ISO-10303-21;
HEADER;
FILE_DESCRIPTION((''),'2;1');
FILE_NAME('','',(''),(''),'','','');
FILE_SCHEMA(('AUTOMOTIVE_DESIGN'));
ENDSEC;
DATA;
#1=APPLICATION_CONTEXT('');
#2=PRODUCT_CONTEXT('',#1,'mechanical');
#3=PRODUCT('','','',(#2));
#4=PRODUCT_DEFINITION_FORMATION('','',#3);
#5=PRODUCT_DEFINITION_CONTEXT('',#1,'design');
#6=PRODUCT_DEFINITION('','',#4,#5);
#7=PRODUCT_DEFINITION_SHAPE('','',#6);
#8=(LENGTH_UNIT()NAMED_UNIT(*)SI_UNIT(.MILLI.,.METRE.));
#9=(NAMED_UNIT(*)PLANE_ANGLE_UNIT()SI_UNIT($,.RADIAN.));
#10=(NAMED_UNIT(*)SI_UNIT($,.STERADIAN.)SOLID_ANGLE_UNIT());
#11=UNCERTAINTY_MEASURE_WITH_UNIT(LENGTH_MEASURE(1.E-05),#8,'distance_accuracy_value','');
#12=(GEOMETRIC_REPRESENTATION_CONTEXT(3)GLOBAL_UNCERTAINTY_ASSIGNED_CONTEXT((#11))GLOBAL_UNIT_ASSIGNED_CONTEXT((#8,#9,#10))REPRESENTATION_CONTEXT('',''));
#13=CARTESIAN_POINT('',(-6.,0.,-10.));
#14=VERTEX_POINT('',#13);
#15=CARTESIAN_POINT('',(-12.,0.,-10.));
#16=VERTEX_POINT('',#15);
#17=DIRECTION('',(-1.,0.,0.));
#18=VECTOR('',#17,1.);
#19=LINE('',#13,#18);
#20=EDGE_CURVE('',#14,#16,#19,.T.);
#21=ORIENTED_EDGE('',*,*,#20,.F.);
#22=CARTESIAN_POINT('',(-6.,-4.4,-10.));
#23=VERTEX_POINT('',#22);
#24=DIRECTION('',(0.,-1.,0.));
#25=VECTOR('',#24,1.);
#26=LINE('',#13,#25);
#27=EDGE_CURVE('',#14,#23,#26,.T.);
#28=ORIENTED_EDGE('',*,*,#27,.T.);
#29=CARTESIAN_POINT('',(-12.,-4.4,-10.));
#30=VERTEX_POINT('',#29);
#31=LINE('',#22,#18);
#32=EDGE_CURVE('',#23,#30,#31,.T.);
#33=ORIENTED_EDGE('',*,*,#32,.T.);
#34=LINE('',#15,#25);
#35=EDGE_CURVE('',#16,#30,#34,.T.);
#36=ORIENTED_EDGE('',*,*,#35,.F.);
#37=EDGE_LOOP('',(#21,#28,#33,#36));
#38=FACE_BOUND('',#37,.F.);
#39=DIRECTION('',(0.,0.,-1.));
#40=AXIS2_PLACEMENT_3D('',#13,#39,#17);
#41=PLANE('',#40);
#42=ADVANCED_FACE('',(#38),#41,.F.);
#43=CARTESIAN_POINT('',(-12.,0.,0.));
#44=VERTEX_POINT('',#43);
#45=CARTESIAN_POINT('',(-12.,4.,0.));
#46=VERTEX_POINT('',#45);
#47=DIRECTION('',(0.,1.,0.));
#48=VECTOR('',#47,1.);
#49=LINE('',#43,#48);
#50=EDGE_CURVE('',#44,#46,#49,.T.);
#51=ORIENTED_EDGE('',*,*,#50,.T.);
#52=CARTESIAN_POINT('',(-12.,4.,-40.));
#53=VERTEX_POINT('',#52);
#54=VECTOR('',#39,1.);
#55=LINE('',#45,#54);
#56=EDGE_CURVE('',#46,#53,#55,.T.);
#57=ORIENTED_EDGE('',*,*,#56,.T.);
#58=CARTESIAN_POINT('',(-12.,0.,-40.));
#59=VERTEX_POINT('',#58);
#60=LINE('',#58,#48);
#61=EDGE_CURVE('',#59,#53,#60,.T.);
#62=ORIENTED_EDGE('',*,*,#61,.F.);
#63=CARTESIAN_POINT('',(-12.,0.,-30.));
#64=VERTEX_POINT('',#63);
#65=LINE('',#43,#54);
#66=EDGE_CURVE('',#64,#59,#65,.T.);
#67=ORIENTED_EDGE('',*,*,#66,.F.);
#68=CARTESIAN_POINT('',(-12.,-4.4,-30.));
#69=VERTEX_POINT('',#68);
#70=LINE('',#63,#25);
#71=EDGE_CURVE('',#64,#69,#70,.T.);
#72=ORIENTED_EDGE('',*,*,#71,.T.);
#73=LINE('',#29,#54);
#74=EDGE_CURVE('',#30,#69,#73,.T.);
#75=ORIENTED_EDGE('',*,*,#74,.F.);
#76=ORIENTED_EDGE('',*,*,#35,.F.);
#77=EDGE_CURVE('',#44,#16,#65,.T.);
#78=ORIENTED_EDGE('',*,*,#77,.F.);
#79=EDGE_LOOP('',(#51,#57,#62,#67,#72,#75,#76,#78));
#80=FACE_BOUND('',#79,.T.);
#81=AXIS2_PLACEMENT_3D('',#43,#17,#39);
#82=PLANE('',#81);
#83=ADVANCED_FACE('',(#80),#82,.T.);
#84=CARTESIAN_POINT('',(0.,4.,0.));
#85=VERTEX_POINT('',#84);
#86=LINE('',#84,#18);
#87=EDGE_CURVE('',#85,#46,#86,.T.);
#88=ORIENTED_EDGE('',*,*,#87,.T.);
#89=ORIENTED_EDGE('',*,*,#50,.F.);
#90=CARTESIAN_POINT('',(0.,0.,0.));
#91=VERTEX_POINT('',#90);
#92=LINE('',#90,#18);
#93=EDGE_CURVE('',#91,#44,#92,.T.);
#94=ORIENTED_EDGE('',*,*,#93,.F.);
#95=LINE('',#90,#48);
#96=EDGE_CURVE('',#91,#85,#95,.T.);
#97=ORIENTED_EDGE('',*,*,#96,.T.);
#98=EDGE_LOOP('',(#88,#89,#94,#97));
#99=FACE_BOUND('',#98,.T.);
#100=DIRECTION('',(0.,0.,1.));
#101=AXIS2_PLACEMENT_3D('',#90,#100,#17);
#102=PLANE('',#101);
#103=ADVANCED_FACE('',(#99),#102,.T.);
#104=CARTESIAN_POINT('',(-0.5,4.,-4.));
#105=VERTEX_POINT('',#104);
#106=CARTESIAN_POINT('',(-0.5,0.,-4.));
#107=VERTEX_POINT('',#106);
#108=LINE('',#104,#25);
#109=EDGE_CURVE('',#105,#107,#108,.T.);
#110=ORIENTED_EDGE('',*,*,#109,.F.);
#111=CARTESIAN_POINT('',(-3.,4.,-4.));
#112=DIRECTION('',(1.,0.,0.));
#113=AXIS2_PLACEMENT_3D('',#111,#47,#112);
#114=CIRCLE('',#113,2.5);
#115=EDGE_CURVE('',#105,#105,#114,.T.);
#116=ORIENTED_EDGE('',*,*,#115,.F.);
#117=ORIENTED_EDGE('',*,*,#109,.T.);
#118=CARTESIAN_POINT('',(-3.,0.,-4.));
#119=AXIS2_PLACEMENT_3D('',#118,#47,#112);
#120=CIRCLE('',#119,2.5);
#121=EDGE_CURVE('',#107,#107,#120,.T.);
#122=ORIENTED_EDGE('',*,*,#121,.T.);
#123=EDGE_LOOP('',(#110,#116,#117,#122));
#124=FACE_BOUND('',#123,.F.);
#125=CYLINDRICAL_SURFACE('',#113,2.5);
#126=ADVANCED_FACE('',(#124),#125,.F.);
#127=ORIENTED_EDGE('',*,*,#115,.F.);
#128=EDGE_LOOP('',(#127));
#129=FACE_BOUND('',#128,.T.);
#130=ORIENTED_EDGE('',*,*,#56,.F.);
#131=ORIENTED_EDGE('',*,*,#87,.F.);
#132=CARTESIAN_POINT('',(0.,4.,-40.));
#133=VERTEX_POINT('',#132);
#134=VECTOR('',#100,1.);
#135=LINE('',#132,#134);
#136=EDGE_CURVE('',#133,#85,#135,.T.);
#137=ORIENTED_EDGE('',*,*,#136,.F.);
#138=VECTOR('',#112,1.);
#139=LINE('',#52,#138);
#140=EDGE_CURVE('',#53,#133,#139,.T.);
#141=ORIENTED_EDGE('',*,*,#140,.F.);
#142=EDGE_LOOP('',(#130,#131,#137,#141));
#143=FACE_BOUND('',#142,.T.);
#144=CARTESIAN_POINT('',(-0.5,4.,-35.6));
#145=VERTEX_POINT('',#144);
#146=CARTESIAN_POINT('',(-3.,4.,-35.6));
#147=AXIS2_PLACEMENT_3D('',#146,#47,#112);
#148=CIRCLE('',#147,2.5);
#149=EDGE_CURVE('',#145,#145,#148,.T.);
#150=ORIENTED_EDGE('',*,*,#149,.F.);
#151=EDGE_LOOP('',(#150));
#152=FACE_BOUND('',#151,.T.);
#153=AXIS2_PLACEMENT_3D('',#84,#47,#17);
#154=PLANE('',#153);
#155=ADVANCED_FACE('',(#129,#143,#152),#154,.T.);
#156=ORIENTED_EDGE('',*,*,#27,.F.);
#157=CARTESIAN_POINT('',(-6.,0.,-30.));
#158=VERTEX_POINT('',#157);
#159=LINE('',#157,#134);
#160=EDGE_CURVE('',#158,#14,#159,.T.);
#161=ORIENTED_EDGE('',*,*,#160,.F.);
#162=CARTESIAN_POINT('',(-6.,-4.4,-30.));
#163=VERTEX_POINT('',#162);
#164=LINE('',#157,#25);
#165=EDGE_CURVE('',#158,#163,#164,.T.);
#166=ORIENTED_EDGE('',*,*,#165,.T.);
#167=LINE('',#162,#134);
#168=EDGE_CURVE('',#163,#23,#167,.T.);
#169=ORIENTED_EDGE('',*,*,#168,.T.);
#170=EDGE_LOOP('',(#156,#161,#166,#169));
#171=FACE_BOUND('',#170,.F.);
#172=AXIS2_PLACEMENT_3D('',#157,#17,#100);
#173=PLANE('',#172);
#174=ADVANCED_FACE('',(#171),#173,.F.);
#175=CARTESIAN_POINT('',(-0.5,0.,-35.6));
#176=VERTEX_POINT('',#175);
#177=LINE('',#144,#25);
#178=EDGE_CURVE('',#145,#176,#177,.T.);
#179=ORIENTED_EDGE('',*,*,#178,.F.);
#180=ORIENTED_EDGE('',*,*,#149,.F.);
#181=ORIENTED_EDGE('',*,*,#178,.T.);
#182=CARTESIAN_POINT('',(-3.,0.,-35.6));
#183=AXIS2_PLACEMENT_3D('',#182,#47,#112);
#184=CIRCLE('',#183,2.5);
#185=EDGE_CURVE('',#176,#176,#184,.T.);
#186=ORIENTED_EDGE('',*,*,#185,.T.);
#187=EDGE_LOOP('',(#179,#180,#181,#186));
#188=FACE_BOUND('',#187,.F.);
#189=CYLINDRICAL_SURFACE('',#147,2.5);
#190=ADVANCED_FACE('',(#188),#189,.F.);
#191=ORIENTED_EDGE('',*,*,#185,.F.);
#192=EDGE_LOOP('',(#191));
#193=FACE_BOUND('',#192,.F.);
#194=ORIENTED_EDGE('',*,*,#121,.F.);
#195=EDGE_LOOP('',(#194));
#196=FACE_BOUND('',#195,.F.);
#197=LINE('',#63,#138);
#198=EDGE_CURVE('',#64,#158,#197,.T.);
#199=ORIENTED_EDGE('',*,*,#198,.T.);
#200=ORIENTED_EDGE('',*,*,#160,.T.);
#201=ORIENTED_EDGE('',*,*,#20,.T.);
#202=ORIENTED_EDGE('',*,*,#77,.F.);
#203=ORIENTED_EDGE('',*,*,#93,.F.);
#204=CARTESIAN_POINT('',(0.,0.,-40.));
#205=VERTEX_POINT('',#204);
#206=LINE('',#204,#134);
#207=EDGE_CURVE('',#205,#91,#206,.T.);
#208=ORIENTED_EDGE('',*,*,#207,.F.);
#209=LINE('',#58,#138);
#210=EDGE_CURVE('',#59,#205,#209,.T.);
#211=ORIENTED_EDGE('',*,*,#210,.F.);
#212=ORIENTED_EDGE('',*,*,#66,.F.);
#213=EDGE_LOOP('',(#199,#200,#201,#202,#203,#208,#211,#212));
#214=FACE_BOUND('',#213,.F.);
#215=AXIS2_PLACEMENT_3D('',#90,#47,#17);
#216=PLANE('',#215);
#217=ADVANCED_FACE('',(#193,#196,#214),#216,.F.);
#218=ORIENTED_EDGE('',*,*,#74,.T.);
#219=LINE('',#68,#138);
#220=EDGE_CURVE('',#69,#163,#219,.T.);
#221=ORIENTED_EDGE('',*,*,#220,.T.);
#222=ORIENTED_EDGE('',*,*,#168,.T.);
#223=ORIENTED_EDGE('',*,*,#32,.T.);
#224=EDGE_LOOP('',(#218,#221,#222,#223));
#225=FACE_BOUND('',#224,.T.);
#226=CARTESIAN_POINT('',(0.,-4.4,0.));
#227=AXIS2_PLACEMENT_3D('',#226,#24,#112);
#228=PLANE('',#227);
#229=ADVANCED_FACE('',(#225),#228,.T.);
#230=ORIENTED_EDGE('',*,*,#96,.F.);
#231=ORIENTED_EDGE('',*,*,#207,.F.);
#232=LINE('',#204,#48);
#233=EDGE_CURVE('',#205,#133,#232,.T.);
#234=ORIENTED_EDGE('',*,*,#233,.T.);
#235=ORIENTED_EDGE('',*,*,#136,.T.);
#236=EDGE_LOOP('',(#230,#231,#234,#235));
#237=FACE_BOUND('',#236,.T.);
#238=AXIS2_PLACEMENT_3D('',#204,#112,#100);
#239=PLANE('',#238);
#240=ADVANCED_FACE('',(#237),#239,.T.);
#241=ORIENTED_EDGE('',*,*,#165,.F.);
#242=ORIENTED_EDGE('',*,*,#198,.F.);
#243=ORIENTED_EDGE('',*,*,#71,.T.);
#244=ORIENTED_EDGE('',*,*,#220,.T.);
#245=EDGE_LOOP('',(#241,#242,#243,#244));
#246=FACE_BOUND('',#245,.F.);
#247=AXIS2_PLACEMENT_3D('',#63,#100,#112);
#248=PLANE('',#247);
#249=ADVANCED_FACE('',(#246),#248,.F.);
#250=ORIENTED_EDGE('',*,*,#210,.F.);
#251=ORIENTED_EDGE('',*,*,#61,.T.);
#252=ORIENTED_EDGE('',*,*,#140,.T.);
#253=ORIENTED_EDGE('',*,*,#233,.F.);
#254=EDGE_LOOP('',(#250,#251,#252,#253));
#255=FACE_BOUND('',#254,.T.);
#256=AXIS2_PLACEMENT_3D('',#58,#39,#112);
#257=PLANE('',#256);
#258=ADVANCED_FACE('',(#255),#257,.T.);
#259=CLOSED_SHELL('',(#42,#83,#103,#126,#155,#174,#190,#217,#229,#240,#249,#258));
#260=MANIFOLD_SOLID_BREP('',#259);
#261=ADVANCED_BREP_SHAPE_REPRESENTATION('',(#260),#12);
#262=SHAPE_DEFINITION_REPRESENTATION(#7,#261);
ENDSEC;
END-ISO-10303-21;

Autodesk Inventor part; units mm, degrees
ref_plane "YZ Plane" through (0, 0, 0) normal (1, 0, 0) x (0, 1, 0)
ref_plane "XZ Plane" through (0, 0, 0) normal (0, 1, 0) x (-1, 0, 0)
ref_plane "XY Plane" through (0, 0, 0) normal (0, 0, 1) x (1, 0, 0)
sketch "Sketch1" plane through (0, 0, 0) normal (0, 1, 0) x (-1, 0, 0)
  line L0 (0, 0) -> (12, 0)
  line L1 (12, 0) -> (12, -40)
  line L2 (12, -40) -> (0, -40)
  line L3 (0, -40) -> (0, 0)
  dimension "d0" = 40
  dimension "d1" = 12
extrude "Extrusion1" add sketch "Sketch1" along normal blind 4
sketch "Sketch2" plane through (0, 4, 0) normal (0, 1, 0) x (1, 0, 0)
  circle A0 centre (-3, 4) radius 2.5
  circle A1 centre (-3, 35.6) radius 2.5
  line L0 (-12, 0) -> (0, 0) projected
  line L1 (0, 0) -> (0, 40) projected
  dimension "d4" = 5
  dimension "d5" = 5
  dimension "d6" = 4
  dimension "d7" = 3
  dimension "d8" = 31.6
  dimension "d9" = 3
extrude "Extrusion2" cut sketch "Sketch2" against normal blind 4
sketch "Sketch3" plane through (0, 0, 0) normal (0, -1, 0) x (1, 0, 0)
  line L0 (-12, -30) -> (-6, -30)
  line L1 (-6, -30) -> (-6, -10)
  line L2 (-6, -10) -> (-12, -10)
  line L3 (-12, -10) -> (-12, -30)
  line L4 (0, -40) -> (-12, -40) projected
  line L5 (-12, 0) -> (0, 0) projected
  line L6 (-12, -40) -> (-12, 0) projected
  dimension "d12" = 6
  dimension "d15" = 10
  dimension "d16" = 10
  dimension "d17" = 0
extrude "Extrusion3" add sketch "Sketch3" along normal blind 4.4
equation "\"d5\" = d4"
equation "\"d9\" = d7"
properties part number "B1 fermeture"
